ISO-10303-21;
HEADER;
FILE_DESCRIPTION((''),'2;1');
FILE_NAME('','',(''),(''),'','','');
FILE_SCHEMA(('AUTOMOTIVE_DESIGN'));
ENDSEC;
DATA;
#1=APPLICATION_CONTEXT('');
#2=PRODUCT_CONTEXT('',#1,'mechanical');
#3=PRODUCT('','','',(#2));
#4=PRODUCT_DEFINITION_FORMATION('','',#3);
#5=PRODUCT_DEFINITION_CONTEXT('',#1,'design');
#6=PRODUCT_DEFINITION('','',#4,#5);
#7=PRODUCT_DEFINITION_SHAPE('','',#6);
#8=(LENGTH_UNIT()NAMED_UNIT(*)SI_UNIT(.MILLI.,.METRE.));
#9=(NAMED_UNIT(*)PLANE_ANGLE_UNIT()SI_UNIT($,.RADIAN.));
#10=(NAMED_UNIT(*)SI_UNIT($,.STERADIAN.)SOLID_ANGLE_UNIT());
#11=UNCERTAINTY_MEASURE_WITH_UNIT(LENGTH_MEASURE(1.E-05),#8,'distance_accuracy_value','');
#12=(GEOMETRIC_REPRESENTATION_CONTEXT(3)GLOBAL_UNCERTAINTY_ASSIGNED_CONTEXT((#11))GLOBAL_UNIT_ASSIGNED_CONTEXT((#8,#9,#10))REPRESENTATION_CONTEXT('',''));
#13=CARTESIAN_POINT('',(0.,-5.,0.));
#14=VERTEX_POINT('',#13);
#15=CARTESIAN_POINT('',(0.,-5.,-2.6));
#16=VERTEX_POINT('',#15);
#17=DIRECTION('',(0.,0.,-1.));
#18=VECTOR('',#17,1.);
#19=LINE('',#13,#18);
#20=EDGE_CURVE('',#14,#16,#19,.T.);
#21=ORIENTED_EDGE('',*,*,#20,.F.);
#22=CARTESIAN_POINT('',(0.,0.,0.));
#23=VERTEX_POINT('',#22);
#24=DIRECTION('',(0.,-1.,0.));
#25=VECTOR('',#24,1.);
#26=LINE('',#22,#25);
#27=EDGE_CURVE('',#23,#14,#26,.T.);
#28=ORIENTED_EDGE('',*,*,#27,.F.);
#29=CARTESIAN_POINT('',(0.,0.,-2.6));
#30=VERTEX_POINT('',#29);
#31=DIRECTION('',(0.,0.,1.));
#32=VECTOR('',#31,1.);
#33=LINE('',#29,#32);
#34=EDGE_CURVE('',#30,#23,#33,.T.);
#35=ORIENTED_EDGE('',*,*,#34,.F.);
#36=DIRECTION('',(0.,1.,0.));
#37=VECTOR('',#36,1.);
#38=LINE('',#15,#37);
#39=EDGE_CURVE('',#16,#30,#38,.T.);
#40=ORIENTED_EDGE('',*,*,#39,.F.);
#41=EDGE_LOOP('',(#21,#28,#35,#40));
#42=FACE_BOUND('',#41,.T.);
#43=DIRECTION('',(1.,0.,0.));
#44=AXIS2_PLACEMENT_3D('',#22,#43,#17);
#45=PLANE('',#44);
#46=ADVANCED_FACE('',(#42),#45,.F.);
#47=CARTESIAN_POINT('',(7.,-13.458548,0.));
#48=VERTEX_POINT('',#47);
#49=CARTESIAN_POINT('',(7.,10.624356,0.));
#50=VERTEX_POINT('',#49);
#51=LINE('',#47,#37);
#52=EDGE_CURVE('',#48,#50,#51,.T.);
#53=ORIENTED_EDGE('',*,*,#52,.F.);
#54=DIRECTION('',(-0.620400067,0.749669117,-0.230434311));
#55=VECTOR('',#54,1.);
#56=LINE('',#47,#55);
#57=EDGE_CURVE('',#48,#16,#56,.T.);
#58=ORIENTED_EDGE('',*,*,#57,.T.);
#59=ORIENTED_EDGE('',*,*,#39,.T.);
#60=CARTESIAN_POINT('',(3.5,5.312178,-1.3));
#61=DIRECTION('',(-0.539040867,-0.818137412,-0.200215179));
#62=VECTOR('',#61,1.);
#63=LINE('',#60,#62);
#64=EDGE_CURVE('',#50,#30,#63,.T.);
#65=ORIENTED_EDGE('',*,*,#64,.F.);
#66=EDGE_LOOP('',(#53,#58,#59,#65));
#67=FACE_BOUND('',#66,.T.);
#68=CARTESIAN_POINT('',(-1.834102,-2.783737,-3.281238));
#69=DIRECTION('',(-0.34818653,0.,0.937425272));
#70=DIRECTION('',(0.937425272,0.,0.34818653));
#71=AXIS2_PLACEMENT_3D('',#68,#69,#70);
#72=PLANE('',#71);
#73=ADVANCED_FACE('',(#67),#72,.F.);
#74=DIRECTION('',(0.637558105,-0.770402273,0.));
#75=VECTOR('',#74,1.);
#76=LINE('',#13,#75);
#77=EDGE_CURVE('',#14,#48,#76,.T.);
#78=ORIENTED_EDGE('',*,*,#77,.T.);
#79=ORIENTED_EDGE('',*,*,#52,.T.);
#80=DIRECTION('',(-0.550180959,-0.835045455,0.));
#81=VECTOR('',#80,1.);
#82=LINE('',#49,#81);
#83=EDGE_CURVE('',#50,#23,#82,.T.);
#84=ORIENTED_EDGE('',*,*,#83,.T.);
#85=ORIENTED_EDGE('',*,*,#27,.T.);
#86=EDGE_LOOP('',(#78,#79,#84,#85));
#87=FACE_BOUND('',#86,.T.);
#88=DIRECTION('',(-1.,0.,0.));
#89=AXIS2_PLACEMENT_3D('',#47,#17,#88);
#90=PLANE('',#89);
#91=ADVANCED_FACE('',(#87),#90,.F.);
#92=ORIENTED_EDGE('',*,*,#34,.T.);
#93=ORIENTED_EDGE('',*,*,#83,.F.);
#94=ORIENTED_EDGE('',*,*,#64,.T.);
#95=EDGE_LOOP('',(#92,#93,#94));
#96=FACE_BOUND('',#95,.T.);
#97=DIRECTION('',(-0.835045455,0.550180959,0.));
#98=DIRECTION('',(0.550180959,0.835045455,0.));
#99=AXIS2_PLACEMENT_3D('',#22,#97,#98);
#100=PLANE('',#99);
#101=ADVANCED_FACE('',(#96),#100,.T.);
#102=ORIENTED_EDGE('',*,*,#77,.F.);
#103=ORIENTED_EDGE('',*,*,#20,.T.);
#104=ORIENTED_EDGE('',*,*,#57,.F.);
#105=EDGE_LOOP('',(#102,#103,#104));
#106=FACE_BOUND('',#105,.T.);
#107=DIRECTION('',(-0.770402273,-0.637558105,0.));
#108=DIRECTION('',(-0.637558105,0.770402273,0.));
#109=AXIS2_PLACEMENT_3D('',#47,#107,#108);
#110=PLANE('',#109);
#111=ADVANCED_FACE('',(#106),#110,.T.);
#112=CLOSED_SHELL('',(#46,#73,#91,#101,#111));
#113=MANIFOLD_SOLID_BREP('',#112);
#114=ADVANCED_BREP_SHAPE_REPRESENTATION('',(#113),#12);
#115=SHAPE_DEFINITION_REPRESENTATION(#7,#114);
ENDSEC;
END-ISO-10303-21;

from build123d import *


with BuildPart() as part:
    # Esquisse1 → Lissage5 section 0
    with BuildSketch(Plane.XY):
        with BuildLine():
            Line((6.99999999999957, 10.624355652981246), (0, -1.52e-15))
            Line((0, -1.52e-15), (0, -5.000000000000009))
            Line((0, -5.000000000000009), (6.999999999999597, -13.458548115672496))
            Line((6.999999999999597, -13.458548115672496), (6.99999999999957, 10.624355652981246))
        make_face()
    # Esquisse2 → Lissage5 section 1
    with BuildSketch(Plane(origin=(0, 0, 0), x_dir=(0, 0, -1), z_dir=(1, 0, 0))):
        with BuildLine():
            Line((0, 0), (0, -5.000000000000009))
            Line((0, -5.000000000000009), (2.6, -5.000000000000009))
            Line((2.6, -5.000000000000009), (2.6, 0))
            Line((2.6, 0), (0, 0))
        make_face()
    loft()


solid = part.part
